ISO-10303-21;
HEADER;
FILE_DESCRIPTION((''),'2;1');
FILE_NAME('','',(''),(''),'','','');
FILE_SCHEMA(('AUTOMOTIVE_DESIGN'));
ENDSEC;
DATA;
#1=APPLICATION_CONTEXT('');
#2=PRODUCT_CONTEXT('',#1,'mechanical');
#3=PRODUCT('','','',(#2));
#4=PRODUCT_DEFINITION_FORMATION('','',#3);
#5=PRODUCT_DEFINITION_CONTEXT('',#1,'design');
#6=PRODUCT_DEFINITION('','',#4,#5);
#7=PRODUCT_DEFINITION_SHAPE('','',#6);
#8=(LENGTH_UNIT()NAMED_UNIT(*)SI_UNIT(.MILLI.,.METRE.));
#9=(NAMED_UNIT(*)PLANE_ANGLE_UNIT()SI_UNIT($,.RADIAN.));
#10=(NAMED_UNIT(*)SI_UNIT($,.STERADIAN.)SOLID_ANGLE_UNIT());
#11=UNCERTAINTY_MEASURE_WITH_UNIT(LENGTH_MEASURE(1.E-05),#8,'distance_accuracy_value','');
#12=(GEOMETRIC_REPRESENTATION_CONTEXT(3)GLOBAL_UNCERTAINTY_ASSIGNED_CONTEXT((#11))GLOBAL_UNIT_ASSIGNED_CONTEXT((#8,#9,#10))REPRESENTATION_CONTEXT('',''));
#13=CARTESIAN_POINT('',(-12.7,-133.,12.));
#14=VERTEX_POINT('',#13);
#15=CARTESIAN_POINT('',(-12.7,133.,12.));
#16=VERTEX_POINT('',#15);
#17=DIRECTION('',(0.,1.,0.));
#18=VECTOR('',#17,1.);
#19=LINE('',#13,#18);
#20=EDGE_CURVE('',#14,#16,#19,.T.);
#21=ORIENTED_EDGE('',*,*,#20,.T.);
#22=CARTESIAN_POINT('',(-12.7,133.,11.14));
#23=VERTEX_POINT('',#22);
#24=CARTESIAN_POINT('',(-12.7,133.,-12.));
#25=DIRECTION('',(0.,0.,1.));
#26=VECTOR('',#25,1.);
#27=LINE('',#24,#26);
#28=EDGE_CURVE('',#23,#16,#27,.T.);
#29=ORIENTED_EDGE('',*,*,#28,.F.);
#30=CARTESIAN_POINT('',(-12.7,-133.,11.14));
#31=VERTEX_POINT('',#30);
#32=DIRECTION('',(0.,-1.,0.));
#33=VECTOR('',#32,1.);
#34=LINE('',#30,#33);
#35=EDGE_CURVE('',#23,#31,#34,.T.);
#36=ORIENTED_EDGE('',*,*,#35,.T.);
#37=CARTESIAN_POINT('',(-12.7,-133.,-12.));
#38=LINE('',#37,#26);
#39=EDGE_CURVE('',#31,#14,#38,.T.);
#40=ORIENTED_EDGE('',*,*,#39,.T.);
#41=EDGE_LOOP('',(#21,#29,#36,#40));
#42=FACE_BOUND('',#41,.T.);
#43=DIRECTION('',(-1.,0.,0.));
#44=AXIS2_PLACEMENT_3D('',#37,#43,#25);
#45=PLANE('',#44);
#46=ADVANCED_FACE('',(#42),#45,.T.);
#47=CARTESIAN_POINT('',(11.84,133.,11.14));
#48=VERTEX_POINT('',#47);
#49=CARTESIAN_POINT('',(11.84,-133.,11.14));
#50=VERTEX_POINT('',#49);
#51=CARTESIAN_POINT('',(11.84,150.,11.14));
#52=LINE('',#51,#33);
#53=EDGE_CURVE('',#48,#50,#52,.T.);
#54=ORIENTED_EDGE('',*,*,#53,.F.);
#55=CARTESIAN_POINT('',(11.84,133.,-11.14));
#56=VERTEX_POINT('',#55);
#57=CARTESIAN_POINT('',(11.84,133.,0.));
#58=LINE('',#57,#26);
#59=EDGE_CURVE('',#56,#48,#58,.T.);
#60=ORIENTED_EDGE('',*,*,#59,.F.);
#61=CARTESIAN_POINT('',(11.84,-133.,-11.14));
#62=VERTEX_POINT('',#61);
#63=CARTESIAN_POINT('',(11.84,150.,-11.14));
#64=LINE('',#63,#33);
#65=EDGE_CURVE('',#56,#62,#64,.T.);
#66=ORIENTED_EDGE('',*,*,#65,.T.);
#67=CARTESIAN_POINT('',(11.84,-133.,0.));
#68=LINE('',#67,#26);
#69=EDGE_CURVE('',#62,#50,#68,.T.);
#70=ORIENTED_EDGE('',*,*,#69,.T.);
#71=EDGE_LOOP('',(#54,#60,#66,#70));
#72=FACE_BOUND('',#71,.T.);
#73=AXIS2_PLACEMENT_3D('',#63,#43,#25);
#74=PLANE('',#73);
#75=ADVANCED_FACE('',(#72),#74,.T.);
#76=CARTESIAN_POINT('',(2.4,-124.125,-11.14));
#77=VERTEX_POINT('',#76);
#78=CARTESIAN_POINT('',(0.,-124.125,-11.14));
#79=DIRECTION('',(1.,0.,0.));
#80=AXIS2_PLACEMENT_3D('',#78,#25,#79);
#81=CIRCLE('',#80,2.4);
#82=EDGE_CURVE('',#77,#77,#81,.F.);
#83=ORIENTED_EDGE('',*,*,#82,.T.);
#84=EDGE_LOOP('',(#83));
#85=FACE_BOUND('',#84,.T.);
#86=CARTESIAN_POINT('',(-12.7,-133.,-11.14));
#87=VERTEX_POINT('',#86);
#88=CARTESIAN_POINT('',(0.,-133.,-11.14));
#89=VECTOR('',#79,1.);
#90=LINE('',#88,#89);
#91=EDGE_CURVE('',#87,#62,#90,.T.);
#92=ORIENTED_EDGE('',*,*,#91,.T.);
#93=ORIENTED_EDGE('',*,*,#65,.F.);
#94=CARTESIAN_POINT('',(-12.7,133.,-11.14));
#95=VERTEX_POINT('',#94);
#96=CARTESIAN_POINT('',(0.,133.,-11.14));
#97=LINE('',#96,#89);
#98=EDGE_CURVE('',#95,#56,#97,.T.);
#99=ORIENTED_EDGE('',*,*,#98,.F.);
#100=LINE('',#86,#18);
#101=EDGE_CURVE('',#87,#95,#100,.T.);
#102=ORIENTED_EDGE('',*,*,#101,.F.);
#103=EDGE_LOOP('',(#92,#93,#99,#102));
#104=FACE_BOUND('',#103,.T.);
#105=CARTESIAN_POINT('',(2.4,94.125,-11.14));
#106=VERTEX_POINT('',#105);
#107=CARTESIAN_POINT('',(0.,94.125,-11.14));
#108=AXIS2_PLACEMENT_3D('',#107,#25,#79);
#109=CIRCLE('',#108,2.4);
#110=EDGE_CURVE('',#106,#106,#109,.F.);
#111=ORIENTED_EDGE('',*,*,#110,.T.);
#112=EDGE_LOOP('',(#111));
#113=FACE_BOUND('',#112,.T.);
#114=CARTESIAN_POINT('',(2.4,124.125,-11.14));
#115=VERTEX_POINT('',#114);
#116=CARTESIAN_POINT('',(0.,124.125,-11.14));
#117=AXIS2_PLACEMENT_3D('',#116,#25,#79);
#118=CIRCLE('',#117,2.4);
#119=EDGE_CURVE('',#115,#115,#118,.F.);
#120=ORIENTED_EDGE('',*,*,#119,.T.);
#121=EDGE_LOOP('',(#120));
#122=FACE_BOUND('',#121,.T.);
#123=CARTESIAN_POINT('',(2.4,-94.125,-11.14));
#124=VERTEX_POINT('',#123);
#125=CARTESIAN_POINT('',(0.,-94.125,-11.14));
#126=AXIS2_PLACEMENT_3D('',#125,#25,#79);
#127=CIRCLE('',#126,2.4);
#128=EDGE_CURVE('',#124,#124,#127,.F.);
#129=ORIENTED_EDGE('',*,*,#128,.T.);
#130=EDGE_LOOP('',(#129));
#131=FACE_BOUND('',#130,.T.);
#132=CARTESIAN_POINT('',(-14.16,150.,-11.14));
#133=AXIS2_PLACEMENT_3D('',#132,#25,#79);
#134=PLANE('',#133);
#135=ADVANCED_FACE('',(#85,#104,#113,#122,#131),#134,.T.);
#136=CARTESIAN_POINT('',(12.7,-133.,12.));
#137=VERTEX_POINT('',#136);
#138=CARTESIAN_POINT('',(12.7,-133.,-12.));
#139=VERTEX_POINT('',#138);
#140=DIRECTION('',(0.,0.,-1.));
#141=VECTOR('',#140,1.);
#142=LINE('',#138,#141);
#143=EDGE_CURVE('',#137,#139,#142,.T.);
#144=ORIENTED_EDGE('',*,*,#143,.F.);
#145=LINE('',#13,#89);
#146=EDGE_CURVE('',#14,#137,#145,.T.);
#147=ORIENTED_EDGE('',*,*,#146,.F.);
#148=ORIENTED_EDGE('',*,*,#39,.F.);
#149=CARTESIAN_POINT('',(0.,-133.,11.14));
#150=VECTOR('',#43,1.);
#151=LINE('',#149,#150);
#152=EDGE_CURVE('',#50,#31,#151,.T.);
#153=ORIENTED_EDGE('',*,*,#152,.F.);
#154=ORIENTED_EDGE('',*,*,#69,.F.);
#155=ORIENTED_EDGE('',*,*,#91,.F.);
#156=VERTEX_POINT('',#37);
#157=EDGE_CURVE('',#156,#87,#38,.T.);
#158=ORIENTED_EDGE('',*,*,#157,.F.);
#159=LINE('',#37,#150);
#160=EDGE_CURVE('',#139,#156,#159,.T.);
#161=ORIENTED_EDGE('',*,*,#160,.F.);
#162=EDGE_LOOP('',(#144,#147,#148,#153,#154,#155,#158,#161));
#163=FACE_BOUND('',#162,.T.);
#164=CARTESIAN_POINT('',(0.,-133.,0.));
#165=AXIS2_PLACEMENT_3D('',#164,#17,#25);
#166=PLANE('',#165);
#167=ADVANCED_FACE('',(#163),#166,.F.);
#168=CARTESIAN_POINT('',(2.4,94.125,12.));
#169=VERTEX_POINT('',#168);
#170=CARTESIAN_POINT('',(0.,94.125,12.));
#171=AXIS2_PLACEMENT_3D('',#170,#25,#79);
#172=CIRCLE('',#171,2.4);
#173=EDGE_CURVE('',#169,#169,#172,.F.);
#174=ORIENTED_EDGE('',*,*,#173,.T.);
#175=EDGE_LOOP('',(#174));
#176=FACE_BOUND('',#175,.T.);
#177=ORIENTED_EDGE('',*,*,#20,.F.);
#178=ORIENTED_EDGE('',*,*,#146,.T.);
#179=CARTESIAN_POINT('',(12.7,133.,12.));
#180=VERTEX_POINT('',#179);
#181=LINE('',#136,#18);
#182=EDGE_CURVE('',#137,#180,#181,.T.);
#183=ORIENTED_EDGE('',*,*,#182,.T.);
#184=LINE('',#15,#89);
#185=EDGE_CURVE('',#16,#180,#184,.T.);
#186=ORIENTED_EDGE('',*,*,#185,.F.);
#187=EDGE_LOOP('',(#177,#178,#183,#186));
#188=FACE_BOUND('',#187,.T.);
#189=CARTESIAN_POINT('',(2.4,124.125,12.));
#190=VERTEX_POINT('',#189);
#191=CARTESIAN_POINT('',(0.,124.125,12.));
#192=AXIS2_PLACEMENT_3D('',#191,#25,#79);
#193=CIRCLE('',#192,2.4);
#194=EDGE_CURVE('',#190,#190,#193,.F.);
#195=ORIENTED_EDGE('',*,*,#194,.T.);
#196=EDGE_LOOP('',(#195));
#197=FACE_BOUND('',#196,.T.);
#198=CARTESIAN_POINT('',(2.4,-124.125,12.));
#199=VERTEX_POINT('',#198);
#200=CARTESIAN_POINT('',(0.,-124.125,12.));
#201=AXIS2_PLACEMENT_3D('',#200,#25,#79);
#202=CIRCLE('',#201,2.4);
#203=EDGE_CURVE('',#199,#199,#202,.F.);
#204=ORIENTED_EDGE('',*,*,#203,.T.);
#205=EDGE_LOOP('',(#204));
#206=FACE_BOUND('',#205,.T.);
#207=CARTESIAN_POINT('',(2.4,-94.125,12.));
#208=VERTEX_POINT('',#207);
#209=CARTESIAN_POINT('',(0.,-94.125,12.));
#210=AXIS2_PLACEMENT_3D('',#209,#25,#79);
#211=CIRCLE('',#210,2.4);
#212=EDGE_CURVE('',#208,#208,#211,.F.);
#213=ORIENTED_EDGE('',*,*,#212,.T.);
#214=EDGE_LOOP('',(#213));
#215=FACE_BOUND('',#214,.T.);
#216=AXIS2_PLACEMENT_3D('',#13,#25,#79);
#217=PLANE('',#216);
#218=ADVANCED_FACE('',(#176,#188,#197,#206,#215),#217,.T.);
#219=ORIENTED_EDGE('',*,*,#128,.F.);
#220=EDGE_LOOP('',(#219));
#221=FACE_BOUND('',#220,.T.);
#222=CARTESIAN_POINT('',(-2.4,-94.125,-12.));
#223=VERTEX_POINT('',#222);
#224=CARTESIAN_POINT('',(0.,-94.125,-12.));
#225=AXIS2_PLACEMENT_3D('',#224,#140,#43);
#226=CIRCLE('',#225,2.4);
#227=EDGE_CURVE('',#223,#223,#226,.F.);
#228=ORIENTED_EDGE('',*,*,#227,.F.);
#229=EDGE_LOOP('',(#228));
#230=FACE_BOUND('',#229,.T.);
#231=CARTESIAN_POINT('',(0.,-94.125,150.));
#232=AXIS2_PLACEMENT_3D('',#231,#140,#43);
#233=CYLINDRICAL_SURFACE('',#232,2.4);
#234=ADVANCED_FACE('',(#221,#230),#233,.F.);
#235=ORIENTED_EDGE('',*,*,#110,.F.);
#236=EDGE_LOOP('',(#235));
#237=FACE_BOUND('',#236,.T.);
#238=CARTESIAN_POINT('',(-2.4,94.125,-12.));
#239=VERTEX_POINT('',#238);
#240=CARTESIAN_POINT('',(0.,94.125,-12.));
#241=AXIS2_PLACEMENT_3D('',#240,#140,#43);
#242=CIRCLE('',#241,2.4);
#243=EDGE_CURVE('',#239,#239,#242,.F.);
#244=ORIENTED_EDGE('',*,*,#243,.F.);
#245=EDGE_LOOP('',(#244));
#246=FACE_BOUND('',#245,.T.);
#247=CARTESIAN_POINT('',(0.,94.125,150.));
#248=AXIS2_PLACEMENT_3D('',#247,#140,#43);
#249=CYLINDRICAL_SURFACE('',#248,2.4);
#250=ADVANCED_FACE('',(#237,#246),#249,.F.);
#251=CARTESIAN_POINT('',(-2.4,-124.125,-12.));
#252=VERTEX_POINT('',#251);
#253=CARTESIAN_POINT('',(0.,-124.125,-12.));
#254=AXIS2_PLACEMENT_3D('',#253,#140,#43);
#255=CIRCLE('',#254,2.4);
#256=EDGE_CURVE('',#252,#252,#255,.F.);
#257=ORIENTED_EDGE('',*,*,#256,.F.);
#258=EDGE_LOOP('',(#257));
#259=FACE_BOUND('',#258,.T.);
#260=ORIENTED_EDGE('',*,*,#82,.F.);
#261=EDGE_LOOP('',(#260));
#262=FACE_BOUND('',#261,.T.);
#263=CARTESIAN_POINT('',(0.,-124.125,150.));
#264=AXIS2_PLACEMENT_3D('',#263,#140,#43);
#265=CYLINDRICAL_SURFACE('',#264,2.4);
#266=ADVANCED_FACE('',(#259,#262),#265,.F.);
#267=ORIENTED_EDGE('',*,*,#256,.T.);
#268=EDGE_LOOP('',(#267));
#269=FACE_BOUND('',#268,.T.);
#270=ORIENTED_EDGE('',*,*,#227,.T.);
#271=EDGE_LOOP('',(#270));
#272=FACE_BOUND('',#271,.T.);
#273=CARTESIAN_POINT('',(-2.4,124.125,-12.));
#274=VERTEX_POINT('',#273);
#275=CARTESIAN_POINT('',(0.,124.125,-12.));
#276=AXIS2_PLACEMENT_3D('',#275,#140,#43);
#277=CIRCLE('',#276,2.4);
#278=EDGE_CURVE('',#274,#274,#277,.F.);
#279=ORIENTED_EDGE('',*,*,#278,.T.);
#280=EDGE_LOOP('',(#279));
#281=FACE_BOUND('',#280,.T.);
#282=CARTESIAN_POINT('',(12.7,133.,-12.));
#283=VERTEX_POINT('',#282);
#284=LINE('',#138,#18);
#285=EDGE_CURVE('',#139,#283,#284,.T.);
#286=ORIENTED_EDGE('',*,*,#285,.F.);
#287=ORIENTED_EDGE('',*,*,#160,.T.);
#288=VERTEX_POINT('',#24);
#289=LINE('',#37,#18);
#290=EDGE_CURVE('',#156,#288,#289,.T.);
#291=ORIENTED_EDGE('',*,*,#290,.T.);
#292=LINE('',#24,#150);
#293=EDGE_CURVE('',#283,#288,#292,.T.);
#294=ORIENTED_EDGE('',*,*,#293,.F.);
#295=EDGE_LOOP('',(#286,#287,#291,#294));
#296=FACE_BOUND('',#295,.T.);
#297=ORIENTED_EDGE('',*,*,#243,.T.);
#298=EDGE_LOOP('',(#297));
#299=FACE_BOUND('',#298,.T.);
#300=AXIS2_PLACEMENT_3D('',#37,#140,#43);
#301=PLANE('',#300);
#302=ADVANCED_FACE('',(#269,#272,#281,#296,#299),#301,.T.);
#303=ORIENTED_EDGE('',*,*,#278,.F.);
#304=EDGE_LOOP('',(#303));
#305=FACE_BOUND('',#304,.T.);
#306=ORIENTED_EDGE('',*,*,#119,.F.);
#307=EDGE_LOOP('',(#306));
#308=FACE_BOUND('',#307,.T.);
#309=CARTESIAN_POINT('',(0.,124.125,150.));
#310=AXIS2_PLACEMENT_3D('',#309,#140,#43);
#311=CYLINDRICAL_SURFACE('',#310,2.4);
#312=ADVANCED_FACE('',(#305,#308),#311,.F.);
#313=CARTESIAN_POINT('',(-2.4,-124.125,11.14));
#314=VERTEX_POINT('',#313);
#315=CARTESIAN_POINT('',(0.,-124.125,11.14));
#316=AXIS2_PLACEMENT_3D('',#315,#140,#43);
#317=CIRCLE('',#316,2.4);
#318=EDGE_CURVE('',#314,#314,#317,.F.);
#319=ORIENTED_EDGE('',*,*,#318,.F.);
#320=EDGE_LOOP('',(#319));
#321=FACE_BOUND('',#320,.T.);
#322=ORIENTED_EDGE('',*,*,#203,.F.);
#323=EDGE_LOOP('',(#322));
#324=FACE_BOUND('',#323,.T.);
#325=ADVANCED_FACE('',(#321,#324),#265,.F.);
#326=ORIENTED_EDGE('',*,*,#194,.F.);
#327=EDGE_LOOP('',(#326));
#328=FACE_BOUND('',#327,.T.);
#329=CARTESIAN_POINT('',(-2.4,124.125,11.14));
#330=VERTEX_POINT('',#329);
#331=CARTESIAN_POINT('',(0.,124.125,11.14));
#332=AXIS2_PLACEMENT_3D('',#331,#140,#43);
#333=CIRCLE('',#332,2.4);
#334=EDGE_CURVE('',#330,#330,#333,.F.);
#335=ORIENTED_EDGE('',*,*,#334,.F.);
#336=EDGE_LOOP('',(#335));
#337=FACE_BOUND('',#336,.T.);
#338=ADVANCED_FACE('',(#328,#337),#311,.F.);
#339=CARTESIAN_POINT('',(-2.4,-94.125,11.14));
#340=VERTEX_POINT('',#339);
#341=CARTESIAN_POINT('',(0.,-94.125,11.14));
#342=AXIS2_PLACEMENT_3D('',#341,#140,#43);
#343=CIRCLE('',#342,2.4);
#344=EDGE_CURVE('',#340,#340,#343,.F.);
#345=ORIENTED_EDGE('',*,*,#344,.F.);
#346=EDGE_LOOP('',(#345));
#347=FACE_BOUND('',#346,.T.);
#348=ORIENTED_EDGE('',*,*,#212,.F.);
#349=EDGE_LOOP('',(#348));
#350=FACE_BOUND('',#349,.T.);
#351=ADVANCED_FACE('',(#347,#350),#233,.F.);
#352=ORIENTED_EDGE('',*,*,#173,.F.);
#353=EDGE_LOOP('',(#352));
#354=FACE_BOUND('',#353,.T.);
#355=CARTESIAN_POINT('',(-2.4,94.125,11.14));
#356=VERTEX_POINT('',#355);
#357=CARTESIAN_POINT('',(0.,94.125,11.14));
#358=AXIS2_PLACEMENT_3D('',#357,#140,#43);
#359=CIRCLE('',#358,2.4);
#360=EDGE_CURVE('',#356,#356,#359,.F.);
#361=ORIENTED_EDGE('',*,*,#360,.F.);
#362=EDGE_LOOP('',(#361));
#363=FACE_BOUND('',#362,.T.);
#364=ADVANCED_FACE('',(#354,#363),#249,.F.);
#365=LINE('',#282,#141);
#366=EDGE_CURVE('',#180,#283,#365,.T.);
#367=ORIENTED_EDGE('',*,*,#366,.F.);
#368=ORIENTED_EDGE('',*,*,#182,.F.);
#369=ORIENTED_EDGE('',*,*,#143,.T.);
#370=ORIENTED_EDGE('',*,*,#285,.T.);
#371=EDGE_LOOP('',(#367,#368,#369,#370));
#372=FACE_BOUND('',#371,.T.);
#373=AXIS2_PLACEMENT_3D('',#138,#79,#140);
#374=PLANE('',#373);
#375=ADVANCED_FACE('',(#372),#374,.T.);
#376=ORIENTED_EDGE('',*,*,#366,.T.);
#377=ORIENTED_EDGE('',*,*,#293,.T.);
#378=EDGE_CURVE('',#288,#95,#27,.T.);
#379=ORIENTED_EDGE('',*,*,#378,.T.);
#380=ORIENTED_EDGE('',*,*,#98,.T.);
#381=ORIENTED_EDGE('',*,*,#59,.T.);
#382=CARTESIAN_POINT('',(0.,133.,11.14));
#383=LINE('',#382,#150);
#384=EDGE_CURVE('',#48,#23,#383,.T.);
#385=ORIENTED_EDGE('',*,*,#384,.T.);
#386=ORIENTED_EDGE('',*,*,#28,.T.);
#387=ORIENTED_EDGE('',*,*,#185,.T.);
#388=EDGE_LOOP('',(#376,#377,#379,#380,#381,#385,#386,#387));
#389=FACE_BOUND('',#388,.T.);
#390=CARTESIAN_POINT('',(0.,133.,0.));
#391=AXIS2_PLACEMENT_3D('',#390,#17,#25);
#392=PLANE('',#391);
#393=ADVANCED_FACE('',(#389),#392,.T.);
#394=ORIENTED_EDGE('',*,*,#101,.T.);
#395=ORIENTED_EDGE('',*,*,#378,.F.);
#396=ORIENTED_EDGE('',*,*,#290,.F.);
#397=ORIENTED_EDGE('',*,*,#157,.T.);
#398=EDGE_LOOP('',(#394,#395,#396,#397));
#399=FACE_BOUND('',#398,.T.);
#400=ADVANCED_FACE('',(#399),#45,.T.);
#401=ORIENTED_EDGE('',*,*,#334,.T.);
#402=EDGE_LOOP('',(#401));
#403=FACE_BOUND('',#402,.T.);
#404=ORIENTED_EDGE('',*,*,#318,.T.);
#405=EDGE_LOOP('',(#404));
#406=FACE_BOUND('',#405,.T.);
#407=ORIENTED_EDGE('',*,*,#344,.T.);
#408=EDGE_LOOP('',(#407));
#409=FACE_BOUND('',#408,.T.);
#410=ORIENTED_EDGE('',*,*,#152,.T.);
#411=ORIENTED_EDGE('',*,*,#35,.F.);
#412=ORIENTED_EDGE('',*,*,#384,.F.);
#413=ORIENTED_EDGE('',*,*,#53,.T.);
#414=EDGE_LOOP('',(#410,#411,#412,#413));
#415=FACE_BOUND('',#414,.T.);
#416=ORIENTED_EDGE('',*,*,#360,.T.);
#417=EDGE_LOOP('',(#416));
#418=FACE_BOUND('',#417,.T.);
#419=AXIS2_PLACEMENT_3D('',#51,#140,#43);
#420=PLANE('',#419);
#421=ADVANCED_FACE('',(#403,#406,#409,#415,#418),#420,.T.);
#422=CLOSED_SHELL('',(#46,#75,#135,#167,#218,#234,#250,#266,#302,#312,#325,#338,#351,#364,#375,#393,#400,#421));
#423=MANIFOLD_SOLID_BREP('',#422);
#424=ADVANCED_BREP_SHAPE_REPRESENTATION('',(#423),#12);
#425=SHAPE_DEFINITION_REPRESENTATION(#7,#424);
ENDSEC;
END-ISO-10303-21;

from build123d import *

# Parameters (mm, degrees)
BOSS_EXTRUDE1_DEPTH      = 133
BOSS_EXTRUDE1_DEPTH_BACK = 133
SKETCH1_W                = 25.4
SKETCH1_H                = 24
CUT_EXTRUDE1_DEPTH       = 150
CUT_EXTRUDE1_DEPTH_BACK  = 150
SKETCH2_W                = 26
SKETCH2_H                = 22.28
CUT_EXTRUDE2_DEPTH       = 150
CUT_EXTRUDE2_DEPTH_BACK  = 150
SKETCH3_R                = 2.4


with BuildPart() as part:
    # Sketch1 → Boss-Extrude1 (new, two sides: drawn at the far end of the back side and taken through both)
    with BuildSketch(Plane(origin=(0, 0, 0), x_dir=(1, 0, 0), z_dir=(0, 1, 0)).offset(-BOSS_EXTRUDE1_DEPTH_BACK)):
        Rectangle(SKETCH1_W, SKETCH1_H)
    extrude(amount=BOSS_EXTRUDE1_DEPTH + BOSS_EXTRUDE1_DEPTH_BACK)

    # Sketch2 → Cut-Extrude1 (cut, two sides: drawn at the far end of the back side and taken through both)
    with BuildSketch(Plane(origin=(0, 0, 0), x_dir=(1, 0, 0), z_dir=(0, 1, 0)).offset(-CUT_EXTRUDE1_DEPTH_BACK)):
        with Locations((-1.16, 0)):
            Rectangle(SKETCH2_W, SKETCH2_H)
    extrude(amount=CUT_EXTRUDE1_DEPTH + CUT_EXTRUDE1_DEPTH_BACK, mode=Mode.SUBTRACT)

    # Sketch3 → Cut-Extrude2 (cut, two sides: drawn at the far end of the back side and taken through both)
    with BuildSketch(Plane.XY.offset(-CUT_EXTRUDE2_DEPTH_BACK)):
        with Locations((0, 124.125)):
            Circle(SKETCH3_R)
        with Locations((0, 94.125)):
            Circle(SKETCH3_R)
        with Locations((0, -124.125)):
            Circle(SKETCH3_R)
        with Locations((0, -94.125)):
            Circle(SKETCH3_R)
    extrude(amount=CUT_EXTRUDE2_DEPTH + CUT_EXTRUDE2_DEPTH_BACK, mode=Mode.SUBTRACT)


solid = part.part
